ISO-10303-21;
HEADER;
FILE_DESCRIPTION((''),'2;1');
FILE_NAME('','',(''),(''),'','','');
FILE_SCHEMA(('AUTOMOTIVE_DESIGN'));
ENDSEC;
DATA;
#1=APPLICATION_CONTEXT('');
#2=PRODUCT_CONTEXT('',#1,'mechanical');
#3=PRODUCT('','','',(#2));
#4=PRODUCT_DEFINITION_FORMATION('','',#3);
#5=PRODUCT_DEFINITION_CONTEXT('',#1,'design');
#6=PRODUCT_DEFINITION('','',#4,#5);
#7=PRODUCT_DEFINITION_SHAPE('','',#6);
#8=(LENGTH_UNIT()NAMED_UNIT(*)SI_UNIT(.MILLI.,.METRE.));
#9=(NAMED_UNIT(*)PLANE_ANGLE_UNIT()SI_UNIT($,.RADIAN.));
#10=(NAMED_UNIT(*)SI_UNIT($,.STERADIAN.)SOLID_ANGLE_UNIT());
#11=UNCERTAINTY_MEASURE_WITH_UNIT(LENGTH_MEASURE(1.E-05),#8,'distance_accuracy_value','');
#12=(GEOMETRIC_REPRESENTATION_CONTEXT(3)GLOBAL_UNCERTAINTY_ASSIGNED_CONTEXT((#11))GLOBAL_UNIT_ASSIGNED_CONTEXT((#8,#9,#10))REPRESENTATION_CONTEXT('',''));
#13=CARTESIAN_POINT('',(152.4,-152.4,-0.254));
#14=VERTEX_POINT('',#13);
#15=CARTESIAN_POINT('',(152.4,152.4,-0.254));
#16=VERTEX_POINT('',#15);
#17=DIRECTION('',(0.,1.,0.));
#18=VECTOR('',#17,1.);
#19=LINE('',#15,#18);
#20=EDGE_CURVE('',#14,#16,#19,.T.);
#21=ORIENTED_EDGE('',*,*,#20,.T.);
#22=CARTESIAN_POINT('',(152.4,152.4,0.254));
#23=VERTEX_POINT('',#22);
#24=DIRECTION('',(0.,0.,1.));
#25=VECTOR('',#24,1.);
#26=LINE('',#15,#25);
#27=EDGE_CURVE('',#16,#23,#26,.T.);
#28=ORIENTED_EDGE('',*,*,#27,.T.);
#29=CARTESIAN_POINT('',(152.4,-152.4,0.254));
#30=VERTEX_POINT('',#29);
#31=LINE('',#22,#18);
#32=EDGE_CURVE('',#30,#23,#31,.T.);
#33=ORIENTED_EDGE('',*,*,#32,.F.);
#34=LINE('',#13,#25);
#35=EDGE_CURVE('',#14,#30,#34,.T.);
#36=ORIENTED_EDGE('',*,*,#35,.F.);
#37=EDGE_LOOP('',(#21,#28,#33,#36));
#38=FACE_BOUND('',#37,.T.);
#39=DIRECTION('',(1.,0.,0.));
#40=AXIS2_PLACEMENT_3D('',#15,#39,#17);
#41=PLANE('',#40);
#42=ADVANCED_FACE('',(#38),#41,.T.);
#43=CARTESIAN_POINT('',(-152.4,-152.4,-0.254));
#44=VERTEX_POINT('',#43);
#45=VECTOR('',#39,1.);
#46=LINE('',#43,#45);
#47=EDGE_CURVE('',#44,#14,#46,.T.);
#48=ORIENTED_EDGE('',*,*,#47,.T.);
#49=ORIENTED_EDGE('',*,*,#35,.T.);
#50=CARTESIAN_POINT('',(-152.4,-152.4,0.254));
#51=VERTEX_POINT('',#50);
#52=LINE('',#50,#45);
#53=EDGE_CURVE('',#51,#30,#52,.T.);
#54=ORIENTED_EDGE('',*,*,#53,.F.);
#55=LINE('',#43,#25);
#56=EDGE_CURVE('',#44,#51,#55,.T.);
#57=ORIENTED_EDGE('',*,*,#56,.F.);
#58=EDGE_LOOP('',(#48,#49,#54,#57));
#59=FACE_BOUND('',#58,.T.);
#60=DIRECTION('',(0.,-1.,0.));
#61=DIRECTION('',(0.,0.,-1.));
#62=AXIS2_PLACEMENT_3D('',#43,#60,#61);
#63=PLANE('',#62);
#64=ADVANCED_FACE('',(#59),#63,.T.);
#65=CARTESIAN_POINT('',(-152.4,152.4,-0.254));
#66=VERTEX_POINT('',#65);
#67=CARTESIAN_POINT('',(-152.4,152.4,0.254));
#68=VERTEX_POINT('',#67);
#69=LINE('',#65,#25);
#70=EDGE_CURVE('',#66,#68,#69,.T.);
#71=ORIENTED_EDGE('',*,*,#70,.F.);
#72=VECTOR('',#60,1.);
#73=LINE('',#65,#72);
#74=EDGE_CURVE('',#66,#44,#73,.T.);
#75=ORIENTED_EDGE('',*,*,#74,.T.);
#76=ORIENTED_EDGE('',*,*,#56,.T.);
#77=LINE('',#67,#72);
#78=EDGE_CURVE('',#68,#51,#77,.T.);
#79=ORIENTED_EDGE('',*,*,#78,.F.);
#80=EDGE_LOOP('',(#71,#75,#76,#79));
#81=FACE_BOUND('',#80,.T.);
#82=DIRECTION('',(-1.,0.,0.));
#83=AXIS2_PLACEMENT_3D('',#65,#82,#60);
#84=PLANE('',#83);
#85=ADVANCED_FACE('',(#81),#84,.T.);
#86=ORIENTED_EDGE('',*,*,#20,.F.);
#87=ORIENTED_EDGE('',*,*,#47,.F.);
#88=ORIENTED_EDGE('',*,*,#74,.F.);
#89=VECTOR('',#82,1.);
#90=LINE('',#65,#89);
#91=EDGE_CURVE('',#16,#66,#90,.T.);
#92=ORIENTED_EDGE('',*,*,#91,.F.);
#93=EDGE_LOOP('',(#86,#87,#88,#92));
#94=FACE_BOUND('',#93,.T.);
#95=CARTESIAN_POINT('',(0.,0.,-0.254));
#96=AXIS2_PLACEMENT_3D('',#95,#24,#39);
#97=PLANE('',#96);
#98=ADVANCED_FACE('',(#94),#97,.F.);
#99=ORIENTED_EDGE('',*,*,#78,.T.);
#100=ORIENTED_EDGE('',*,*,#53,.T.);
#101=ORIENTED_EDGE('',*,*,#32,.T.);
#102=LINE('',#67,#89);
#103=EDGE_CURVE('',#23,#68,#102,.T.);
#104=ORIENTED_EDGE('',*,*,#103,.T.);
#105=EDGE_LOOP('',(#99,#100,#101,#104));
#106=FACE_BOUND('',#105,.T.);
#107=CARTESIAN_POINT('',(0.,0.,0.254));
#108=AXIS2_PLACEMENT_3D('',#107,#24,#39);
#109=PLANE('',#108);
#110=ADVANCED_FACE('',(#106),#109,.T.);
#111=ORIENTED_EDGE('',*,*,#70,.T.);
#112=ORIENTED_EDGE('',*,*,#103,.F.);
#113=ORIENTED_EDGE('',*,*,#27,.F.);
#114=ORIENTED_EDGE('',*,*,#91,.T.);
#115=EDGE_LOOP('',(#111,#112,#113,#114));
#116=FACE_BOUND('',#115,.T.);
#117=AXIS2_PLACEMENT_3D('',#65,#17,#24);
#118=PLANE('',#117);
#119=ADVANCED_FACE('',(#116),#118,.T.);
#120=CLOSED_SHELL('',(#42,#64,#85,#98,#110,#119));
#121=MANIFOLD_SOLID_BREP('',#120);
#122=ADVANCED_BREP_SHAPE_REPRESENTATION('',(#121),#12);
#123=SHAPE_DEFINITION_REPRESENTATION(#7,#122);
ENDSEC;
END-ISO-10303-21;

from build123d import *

# Parameters (mm, degrees)
SKETCH3_W                = 304.8
SKETCH3_H                = 304.8
BOSS_EXTRUDE1_DEPTH      = 0.254
BOSS_EXTRUDE1_DEPTH_BACK = 0.254


with BuildPart() as part:
    # Sketch3 → Boss-Extrude1 (new body, two sides)
    with BuildSketch(Plane.XY) as boss_extrude1_sk:
        Rectangle(SKETCH3_W, SKETCH3_H)
    extrude(amount=BOSS_EXTRUDE1_DEPTH)
    extrude(boss_extrude1_sk.sketch, amount=-BOSS_EXTRUDE1_DEPTH_BACK)


solid = part.part
